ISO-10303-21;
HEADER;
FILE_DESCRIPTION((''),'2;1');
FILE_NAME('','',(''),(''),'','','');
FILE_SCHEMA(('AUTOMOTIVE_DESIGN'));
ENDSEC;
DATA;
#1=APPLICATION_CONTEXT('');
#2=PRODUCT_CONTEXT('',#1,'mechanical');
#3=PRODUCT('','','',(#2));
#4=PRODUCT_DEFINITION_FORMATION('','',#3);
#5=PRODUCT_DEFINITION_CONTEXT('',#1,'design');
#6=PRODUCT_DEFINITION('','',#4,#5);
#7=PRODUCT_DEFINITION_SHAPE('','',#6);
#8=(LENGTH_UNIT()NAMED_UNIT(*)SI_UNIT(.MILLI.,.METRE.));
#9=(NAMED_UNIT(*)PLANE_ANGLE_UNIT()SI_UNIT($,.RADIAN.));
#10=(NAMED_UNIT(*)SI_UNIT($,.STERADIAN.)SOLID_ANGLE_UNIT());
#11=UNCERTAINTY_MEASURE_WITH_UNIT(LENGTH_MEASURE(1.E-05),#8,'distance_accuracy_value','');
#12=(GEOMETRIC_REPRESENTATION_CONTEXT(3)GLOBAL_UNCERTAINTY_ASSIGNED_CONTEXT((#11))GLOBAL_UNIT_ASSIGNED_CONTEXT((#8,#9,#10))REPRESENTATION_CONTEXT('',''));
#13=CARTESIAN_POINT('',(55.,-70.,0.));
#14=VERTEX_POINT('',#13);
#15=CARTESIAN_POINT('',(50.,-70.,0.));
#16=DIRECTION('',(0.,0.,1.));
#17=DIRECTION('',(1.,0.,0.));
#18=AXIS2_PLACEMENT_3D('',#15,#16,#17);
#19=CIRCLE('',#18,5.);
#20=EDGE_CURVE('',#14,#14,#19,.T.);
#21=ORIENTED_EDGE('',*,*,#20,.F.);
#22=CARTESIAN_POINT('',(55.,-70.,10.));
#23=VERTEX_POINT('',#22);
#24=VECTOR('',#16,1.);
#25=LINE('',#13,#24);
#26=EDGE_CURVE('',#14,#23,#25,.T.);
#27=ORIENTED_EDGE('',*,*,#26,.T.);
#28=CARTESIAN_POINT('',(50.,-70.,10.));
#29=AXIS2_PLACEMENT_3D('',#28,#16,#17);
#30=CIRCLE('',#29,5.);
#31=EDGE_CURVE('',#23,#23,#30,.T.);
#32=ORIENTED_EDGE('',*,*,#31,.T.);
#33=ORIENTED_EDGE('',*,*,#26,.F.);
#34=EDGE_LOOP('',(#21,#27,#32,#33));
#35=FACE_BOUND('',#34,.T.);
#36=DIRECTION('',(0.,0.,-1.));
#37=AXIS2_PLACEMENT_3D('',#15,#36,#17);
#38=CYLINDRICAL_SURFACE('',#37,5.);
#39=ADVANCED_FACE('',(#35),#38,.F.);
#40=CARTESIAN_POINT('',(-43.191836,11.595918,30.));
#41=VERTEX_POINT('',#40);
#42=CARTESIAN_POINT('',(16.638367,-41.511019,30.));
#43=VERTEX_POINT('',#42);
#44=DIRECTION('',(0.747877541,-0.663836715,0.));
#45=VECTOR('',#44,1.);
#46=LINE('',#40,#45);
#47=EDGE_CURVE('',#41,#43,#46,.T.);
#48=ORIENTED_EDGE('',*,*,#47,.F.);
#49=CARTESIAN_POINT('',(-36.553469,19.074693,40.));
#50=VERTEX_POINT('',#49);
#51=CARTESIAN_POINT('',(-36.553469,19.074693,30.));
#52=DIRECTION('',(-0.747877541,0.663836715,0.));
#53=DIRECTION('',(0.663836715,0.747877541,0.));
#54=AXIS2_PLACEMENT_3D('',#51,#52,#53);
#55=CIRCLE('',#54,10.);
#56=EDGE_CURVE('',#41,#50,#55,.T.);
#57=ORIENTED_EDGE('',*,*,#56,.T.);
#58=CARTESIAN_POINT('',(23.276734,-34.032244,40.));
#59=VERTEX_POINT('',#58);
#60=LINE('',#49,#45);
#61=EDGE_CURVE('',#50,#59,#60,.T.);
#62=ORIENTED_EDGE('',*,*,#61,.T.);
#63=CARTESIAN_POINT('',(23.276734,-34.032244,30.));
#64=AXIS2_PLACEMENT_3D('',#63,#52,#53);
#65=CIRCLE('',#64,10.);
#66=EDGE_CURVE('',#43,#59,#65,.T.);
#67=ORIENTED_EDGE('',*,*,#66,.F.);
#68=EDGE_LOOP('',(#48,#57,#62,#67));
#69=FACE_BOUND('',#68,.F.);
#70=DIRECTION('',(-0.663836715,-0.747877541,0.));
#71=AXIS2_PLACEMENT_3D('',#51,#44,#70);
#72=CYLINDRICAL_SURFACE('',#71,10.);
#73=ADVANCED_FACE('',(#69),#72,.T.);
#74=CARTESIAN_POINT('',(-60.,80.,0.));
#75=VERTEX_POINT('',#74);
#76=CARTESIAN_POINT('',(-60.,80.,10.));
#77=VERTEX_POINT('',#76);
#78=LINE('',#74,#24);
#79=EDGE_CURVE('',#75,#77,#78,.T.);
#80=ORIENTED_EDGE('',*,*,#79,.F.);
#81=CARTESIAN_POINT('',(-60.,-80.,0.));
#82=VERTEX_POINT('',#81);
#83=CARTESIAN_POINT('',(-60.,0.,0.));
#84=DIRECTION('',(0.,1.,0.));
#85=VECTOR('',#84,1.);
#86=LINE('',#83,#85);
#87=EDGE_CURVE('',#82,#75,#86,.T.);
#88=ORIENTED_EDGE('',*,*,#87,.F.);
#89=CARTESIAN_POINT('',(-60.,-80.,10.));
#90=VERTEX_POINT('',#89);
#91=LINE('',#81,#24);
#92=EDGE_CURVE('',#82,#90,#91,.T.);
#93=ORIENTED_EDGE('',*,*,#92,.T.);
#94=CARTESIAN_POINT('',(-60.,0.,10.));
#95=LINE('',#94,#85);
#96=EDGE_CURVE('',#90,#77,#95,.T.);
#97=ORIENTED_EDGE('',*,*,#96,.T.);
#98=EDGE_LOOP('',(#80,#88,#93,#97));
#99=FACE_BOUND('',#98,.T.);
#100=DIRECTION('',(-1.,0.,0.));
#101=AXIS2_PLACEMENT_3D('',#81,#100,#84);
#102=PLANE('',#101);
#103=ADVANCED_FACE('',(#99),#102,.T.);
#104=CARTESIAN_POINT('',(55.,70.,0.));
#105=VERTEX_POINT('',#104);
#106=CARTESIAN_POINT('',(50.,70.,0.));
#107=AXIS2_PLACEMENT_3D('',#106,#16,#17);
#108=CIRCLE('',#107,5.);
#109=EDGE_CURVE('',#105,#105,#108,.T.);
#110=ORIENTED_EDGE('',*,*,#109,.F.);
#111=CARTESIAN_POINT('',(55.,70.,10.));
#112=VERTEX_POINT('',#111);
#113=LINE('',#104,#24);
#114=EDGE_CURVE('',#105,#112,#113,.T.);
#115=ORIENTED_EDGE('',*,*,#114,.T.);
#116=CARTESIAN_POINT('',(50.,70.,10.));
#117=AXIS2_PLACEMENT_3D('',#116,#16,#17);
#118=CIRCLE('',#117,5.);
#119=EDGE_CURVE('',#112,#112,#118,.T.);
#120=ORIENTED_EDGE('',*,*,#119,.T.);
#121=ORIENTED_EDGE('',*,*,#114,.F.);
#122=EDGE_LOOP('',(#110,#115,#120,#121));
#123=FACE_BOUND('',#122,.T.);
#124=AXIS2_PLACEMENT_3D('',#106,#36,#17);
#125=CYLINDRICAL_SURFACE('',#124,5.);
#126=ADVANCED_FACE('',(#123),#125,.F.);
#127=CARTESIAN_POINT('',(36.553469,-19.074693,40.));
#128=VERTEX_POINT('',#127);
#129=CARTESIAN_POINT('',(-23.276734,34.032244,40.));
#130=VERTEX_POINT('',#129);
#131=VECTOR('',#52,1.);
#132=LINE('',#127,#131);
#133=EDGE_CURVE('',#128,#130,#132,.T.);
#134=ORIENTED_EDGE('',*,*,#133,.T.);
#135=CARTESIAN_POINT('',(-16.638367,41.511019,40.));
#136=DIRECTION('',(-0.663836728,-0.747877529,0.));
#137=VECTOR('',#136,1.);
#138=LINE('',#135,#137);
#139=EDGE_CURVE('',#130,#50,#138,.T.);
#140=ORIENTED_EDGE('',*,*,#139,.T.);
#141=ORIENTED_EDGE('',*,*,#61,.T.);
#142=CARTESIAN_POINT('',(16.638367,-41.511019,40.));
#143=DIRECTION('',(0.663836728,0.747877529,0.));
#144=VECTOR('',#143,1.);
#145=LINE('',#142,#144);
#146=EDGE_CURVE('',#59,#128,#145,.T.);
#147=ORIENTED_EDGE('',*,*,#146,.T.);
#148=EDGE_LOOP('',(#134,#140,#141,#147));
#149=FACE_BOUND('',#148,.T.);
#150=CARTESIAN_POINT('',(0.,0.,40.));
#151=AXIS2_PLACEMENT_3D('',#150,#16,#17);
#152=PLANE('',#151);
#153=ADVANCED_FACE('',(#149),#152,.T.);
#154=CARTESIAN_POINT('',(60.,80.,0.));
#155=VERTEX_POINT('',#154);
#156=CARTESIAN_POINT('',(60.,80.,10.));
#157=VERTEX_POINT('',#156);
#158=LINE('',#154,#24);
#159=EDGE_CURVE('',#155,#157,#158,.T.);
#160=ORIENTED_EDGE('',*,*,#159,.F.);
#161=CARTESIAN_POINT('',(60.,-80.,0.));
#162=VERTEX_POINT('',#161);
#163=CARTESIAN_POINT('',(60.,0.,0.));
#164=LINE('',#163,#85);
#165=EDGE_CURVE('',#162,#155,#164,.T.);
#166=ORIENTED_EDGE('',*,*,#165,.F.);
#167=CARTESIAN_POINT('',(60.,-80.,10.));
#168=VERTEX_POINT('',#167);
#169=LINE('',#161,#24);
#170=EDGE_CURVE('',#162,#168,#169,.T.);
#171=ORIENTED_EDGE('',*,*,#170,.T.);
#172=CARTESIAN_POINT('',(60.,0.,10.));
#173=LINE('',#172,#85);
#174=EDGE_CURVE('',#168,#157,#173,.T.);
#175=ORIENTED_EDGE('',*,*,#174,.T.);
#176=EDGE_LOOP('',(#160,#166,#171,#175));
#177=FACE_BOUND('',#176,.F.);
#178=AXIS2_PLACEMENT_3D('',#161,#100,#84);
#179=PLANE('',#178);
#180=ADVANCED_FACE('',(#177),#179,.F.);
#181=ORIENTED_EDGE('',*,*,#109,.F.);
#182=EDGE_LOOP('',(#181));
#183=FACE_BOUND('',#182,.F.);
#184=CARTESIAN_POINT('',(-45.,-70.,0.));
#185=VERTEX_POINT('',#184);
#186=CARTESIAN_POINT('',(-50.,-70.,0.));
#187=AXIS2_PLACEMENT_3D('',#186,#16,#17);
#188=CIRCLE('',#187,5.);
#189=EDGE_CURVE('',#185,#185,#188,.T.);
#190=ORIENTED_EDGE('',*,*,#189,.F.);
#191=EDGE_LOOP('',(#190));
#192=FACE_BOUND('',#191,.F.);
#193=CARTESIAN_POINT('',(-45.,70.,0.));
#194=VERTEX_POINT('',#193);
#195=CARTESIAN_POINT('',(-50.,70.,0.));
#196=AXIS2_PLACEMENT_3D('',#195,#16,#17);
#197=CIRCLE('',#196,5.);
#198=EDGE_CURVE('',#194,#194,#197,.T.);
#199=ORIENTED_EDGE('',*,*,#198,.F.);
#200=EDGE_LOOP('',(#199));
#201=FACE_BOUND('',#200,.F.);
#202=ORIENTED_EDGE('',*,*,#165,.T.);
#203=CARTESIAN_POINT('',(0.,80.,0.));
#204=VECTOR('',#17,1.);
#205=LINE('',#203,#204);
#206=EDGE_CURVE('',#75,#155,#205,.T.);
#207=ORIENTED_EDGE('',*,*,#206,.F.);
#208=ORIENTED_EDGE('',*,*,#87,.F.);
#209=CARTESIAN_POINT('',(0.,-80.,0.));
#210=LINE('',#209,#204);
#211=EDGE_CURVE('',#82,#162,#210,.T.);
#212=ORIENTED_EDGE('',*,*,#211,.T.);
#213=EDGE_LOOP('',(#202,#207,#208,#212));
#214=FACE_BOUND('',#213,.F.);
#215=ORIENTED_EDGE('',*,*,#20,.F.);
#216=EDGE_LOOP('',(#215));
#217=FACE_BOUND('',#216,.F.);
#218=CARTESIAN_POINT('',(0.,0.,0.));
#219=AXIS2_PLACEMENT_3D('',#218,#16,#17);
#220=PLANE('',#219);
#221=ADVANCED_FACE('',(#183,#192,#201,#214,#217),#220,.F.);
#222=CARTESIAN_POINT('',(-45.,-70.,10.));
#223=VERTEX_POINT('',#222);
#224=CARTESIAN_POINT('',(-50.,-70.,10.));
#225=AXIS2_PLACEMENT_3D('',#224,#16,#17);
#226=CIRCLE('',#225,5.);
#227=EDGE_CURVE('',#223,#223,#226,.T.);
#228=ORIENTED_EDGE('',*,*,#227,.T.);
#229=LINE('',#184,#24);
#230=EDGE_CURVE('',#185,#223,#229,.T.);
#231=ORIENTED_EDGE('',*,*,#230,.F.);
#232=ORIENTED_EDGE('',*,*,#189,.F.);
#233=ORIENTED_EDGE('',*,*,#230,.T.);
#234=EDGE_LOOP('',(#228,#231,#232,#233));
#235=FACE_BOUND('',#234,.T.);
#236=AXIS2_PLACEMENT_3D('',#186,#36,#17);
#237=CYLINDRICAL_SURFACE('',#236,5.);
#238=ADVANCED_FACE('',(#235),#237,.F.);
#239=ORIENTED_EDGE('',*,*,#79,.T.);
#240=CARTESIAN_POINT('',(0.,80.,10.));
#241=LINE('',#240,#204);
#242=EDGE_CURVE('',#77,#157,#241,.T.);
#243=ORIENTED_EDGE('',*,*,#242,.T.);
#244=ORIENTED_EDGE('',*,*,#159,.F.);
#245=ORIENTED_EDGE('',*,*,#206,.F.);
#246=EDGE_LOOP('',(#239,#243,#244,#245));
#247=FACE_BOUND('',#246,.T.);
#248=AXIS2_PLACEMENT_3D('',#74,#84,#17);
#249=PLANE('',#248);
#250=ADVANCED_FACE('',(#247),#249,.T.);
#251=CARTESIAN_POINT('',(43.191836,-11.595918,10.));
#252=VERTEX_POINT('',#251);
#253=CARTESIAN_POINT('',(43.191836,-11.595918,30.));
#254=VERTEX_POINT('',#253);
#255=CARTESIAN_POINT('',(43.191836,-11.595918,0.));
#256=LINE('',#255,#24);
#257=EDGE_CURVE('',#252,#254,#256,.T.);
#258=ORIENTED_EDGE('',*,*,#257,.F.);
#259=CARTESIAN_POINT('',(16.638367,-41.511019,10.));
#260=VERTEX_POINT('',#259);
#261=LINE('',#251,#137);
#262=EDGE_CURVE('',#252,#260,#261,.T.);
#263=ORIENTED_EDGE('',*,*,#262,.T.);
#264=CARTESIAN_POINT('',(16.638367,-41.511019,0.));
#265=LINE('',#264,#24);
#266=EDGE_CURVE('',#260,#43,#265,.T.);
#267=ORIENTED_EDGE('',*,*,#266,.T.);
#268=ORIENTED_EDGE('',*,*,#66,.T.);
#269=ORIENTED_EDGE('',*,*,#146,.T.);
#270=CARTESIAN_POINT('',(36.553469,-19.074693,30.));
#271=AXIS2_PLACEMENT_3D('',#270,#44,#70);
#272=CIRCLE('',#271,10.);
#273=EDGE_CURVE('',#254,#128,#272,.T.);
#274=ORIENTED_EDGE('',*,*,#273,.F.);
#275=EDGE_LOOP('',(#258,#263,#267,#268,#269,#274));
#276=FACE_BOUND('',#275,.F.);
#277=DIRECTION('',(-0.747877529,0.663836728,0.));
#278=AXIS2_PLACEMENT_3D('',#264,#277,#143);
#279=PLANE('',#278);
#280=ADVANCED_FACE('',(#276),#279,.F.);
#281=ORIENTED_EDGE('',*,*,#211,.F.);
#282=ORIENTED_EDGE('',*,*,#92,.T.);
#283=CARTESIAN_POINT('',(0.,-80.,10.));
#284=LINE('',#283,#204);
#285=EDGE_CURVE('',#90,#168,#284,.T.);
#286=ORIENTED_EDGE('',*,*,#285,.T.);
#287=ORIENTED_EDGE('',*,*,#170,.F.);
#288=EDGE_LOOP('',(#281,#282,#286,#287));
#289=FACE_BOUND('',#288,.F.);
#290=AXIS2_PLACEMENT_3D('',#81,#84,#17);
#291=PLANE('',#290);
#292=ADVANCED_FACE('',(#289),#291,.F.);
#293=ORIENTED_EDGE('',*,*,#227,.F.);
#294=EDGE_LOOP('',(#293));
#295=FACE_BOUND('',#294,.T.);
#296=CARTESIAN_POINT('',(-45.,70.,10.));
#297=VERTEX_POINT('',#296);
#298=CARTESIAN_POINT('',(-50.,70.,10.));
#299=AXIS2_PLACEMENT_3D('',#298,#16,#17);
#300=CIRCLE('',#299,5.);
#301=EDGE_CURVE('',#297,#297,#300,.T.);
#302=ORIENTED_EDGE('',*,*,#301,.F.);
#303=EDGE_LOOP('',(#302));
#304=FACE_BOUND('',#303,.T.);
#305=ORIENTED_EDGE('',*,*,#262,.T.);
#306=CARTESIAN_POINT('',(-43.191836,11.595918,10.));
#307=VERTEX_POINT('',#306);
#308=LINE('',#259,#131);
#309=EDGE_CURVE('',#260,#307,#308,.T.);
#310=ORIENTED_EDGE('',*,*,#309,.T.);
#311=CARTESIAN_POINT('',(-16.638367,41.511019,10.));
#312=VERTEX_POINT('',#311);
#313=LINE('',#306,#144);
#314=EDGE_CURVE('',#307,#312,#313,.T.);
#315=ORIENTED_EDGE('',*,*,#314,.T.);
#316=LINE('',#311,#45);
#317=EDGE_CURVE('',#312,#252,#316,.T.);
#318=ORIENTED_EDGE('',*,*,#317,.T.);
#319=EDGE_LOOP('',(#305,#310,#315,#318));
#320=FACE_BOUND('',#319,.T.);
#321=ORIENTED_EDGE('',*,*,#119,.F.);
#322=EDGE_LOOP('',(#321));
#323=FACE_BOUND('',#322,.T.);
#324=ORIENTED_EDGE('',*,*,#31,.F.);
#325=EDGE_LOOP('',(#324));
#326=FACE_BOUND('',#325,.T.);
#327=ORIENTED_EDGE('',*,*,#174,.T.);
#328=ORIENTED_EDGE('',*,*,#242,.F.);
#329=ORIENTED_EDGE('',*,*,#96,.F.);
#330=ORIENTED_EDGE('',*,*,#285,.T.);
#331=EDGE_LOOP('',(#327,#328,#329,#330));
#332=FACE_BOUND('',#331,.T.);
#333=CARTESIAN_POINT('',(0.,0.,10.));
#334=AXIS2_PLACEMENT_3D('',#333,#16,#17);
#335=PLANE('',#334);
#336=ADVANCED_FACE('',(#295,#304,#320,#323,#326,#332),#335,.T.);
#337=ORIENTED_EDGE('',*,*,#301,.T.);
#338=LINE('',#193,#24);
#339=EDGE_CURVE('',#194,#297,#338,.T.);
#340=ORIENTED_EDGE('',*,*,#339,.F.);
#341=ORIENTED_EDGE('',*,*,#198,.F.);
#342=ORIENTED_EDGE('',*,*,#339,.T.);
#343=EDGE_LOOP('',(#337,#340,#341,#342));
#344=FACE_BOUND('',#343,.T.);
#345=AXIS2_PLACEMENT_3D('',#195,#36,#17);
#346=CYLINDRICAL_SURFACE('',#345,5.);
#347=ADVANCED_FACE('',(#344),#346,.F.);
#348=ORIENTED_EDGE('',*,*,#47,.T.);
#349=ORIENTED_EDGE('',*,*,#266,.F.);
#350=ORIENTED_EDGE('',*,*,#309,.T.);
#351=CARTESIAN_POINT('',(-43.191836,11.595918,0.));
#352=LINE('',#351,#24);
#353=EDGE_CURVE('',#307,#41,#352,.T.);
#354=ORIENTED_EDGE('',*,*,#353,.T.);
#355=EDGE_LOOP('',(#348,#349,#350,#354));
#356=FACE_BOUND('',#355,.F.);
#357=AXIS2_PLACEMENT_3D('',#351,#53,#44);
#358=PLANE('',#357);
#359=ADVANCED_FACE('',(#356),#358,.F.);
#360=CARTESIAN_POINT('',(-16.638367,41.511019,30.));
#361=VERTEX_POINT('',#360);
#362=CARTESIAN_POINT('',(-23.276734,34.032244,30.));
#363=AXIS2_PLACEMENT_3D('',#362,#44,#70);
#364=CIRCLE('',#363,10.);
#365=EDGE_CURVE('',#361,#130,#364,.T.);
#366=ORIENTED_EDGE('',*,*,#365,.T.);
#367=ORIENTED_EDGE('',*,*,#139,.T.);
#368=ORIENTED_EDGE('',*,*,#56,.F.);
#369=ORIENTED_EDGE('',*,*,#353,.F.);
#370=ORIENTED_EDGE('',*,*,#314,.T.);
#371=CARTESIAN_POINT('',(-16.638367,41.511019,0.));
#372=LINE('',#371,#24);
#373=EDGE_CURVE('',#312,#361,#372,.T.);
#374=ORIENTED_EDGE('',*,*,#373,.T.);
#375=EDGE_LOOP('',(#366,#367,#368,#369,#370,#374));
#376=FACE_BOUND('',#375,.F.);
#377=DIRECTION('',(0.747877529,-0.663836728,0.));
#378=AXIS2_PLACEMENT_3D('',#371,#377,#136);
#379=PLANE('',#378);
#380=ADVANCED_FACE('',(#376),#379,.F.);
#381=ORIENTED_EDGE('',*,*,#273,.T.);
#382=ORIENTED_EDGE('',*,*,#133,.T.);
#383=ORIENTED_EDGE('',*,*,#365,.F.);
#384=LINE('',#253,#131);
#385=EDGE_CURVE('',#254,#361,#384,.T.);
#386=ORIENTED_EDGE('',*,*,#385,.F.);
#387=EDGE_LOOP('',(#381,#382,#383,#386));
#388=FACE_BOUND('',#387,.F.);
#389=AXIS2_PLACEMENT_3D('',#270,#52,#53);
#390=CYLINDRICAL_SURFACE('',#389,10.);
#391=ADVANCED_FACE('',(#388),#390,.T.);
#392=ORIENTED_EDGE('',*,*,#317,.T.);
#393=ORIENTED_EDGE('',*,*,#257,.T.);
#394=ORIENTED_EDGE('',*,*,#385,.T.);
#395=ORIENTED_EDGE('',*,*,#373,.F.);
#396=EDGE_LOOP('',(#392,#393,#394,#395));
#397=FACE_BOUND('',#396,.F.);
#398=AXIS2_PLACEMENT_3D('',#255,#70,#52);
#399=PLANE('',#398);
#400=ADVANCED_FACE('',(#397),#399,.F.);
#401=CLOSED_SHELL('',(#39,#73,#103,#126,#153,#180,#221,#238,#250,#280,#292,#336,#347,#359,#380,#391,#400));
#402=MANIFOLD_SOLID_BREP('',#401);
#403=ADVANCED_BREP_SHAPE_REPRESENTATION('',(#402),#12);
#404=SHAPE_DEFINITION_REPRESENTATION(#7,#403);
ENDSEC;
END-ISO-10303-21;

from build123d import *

# Parameters (mm, degrees)
F1_DEPTH = 40
F0_W     = 120
F0_H     = 160
F0_R     = 5
F2_DEPTH = 10
F3_R     = 10


with BuildPart() as f1:
    # F0 (on Top) → F1 (new body)
    with BuildSketch(Plane.XY):
        Polygon((16.638367, -41.511019), (43.191836, -11.595918), (-16.638367, 41.511019), (-43.191836, 11.595918), align=None)
    extrude(amount=F1_DEPTH)

    # F0 (on Top) → F2 (join)
    with BuildSketch(Plane.XY):
        Rectangle(F0_W, F0_H)
        with Locations((-50, -70)):
            Circle(F0_R, mode=Mode.SUBTRACT)
        with Locations((50, -70)):
            Circle(F0_R, mode=Mode.SUBTRACT)
        Polygon((-16.638367, 41.511019), (43.191836, -11.595918), (16.638367, -41.511019), (-43.191836, 11.595918), align=None, mode=Mode.SUBTRACT)
        with Locations((-50, 70)):
            Circle(F0_R, mode=Mode.SUBTRACT)
        with Locations((50, 70)):
            Circle(F0_R, mode=Mode.SUBTRACT)
    extrude(amount=F2_DEPTH)

    # F3
    f3_edges = [f1.edges().sort_by_distance(p)[0] for p in [
        (13.276734, 14.957551, 40),
        (-13.276734, -14.957551, 40),
    ]]
    fillet(f3_edges, radius=F3_R)


solid = f1.part
